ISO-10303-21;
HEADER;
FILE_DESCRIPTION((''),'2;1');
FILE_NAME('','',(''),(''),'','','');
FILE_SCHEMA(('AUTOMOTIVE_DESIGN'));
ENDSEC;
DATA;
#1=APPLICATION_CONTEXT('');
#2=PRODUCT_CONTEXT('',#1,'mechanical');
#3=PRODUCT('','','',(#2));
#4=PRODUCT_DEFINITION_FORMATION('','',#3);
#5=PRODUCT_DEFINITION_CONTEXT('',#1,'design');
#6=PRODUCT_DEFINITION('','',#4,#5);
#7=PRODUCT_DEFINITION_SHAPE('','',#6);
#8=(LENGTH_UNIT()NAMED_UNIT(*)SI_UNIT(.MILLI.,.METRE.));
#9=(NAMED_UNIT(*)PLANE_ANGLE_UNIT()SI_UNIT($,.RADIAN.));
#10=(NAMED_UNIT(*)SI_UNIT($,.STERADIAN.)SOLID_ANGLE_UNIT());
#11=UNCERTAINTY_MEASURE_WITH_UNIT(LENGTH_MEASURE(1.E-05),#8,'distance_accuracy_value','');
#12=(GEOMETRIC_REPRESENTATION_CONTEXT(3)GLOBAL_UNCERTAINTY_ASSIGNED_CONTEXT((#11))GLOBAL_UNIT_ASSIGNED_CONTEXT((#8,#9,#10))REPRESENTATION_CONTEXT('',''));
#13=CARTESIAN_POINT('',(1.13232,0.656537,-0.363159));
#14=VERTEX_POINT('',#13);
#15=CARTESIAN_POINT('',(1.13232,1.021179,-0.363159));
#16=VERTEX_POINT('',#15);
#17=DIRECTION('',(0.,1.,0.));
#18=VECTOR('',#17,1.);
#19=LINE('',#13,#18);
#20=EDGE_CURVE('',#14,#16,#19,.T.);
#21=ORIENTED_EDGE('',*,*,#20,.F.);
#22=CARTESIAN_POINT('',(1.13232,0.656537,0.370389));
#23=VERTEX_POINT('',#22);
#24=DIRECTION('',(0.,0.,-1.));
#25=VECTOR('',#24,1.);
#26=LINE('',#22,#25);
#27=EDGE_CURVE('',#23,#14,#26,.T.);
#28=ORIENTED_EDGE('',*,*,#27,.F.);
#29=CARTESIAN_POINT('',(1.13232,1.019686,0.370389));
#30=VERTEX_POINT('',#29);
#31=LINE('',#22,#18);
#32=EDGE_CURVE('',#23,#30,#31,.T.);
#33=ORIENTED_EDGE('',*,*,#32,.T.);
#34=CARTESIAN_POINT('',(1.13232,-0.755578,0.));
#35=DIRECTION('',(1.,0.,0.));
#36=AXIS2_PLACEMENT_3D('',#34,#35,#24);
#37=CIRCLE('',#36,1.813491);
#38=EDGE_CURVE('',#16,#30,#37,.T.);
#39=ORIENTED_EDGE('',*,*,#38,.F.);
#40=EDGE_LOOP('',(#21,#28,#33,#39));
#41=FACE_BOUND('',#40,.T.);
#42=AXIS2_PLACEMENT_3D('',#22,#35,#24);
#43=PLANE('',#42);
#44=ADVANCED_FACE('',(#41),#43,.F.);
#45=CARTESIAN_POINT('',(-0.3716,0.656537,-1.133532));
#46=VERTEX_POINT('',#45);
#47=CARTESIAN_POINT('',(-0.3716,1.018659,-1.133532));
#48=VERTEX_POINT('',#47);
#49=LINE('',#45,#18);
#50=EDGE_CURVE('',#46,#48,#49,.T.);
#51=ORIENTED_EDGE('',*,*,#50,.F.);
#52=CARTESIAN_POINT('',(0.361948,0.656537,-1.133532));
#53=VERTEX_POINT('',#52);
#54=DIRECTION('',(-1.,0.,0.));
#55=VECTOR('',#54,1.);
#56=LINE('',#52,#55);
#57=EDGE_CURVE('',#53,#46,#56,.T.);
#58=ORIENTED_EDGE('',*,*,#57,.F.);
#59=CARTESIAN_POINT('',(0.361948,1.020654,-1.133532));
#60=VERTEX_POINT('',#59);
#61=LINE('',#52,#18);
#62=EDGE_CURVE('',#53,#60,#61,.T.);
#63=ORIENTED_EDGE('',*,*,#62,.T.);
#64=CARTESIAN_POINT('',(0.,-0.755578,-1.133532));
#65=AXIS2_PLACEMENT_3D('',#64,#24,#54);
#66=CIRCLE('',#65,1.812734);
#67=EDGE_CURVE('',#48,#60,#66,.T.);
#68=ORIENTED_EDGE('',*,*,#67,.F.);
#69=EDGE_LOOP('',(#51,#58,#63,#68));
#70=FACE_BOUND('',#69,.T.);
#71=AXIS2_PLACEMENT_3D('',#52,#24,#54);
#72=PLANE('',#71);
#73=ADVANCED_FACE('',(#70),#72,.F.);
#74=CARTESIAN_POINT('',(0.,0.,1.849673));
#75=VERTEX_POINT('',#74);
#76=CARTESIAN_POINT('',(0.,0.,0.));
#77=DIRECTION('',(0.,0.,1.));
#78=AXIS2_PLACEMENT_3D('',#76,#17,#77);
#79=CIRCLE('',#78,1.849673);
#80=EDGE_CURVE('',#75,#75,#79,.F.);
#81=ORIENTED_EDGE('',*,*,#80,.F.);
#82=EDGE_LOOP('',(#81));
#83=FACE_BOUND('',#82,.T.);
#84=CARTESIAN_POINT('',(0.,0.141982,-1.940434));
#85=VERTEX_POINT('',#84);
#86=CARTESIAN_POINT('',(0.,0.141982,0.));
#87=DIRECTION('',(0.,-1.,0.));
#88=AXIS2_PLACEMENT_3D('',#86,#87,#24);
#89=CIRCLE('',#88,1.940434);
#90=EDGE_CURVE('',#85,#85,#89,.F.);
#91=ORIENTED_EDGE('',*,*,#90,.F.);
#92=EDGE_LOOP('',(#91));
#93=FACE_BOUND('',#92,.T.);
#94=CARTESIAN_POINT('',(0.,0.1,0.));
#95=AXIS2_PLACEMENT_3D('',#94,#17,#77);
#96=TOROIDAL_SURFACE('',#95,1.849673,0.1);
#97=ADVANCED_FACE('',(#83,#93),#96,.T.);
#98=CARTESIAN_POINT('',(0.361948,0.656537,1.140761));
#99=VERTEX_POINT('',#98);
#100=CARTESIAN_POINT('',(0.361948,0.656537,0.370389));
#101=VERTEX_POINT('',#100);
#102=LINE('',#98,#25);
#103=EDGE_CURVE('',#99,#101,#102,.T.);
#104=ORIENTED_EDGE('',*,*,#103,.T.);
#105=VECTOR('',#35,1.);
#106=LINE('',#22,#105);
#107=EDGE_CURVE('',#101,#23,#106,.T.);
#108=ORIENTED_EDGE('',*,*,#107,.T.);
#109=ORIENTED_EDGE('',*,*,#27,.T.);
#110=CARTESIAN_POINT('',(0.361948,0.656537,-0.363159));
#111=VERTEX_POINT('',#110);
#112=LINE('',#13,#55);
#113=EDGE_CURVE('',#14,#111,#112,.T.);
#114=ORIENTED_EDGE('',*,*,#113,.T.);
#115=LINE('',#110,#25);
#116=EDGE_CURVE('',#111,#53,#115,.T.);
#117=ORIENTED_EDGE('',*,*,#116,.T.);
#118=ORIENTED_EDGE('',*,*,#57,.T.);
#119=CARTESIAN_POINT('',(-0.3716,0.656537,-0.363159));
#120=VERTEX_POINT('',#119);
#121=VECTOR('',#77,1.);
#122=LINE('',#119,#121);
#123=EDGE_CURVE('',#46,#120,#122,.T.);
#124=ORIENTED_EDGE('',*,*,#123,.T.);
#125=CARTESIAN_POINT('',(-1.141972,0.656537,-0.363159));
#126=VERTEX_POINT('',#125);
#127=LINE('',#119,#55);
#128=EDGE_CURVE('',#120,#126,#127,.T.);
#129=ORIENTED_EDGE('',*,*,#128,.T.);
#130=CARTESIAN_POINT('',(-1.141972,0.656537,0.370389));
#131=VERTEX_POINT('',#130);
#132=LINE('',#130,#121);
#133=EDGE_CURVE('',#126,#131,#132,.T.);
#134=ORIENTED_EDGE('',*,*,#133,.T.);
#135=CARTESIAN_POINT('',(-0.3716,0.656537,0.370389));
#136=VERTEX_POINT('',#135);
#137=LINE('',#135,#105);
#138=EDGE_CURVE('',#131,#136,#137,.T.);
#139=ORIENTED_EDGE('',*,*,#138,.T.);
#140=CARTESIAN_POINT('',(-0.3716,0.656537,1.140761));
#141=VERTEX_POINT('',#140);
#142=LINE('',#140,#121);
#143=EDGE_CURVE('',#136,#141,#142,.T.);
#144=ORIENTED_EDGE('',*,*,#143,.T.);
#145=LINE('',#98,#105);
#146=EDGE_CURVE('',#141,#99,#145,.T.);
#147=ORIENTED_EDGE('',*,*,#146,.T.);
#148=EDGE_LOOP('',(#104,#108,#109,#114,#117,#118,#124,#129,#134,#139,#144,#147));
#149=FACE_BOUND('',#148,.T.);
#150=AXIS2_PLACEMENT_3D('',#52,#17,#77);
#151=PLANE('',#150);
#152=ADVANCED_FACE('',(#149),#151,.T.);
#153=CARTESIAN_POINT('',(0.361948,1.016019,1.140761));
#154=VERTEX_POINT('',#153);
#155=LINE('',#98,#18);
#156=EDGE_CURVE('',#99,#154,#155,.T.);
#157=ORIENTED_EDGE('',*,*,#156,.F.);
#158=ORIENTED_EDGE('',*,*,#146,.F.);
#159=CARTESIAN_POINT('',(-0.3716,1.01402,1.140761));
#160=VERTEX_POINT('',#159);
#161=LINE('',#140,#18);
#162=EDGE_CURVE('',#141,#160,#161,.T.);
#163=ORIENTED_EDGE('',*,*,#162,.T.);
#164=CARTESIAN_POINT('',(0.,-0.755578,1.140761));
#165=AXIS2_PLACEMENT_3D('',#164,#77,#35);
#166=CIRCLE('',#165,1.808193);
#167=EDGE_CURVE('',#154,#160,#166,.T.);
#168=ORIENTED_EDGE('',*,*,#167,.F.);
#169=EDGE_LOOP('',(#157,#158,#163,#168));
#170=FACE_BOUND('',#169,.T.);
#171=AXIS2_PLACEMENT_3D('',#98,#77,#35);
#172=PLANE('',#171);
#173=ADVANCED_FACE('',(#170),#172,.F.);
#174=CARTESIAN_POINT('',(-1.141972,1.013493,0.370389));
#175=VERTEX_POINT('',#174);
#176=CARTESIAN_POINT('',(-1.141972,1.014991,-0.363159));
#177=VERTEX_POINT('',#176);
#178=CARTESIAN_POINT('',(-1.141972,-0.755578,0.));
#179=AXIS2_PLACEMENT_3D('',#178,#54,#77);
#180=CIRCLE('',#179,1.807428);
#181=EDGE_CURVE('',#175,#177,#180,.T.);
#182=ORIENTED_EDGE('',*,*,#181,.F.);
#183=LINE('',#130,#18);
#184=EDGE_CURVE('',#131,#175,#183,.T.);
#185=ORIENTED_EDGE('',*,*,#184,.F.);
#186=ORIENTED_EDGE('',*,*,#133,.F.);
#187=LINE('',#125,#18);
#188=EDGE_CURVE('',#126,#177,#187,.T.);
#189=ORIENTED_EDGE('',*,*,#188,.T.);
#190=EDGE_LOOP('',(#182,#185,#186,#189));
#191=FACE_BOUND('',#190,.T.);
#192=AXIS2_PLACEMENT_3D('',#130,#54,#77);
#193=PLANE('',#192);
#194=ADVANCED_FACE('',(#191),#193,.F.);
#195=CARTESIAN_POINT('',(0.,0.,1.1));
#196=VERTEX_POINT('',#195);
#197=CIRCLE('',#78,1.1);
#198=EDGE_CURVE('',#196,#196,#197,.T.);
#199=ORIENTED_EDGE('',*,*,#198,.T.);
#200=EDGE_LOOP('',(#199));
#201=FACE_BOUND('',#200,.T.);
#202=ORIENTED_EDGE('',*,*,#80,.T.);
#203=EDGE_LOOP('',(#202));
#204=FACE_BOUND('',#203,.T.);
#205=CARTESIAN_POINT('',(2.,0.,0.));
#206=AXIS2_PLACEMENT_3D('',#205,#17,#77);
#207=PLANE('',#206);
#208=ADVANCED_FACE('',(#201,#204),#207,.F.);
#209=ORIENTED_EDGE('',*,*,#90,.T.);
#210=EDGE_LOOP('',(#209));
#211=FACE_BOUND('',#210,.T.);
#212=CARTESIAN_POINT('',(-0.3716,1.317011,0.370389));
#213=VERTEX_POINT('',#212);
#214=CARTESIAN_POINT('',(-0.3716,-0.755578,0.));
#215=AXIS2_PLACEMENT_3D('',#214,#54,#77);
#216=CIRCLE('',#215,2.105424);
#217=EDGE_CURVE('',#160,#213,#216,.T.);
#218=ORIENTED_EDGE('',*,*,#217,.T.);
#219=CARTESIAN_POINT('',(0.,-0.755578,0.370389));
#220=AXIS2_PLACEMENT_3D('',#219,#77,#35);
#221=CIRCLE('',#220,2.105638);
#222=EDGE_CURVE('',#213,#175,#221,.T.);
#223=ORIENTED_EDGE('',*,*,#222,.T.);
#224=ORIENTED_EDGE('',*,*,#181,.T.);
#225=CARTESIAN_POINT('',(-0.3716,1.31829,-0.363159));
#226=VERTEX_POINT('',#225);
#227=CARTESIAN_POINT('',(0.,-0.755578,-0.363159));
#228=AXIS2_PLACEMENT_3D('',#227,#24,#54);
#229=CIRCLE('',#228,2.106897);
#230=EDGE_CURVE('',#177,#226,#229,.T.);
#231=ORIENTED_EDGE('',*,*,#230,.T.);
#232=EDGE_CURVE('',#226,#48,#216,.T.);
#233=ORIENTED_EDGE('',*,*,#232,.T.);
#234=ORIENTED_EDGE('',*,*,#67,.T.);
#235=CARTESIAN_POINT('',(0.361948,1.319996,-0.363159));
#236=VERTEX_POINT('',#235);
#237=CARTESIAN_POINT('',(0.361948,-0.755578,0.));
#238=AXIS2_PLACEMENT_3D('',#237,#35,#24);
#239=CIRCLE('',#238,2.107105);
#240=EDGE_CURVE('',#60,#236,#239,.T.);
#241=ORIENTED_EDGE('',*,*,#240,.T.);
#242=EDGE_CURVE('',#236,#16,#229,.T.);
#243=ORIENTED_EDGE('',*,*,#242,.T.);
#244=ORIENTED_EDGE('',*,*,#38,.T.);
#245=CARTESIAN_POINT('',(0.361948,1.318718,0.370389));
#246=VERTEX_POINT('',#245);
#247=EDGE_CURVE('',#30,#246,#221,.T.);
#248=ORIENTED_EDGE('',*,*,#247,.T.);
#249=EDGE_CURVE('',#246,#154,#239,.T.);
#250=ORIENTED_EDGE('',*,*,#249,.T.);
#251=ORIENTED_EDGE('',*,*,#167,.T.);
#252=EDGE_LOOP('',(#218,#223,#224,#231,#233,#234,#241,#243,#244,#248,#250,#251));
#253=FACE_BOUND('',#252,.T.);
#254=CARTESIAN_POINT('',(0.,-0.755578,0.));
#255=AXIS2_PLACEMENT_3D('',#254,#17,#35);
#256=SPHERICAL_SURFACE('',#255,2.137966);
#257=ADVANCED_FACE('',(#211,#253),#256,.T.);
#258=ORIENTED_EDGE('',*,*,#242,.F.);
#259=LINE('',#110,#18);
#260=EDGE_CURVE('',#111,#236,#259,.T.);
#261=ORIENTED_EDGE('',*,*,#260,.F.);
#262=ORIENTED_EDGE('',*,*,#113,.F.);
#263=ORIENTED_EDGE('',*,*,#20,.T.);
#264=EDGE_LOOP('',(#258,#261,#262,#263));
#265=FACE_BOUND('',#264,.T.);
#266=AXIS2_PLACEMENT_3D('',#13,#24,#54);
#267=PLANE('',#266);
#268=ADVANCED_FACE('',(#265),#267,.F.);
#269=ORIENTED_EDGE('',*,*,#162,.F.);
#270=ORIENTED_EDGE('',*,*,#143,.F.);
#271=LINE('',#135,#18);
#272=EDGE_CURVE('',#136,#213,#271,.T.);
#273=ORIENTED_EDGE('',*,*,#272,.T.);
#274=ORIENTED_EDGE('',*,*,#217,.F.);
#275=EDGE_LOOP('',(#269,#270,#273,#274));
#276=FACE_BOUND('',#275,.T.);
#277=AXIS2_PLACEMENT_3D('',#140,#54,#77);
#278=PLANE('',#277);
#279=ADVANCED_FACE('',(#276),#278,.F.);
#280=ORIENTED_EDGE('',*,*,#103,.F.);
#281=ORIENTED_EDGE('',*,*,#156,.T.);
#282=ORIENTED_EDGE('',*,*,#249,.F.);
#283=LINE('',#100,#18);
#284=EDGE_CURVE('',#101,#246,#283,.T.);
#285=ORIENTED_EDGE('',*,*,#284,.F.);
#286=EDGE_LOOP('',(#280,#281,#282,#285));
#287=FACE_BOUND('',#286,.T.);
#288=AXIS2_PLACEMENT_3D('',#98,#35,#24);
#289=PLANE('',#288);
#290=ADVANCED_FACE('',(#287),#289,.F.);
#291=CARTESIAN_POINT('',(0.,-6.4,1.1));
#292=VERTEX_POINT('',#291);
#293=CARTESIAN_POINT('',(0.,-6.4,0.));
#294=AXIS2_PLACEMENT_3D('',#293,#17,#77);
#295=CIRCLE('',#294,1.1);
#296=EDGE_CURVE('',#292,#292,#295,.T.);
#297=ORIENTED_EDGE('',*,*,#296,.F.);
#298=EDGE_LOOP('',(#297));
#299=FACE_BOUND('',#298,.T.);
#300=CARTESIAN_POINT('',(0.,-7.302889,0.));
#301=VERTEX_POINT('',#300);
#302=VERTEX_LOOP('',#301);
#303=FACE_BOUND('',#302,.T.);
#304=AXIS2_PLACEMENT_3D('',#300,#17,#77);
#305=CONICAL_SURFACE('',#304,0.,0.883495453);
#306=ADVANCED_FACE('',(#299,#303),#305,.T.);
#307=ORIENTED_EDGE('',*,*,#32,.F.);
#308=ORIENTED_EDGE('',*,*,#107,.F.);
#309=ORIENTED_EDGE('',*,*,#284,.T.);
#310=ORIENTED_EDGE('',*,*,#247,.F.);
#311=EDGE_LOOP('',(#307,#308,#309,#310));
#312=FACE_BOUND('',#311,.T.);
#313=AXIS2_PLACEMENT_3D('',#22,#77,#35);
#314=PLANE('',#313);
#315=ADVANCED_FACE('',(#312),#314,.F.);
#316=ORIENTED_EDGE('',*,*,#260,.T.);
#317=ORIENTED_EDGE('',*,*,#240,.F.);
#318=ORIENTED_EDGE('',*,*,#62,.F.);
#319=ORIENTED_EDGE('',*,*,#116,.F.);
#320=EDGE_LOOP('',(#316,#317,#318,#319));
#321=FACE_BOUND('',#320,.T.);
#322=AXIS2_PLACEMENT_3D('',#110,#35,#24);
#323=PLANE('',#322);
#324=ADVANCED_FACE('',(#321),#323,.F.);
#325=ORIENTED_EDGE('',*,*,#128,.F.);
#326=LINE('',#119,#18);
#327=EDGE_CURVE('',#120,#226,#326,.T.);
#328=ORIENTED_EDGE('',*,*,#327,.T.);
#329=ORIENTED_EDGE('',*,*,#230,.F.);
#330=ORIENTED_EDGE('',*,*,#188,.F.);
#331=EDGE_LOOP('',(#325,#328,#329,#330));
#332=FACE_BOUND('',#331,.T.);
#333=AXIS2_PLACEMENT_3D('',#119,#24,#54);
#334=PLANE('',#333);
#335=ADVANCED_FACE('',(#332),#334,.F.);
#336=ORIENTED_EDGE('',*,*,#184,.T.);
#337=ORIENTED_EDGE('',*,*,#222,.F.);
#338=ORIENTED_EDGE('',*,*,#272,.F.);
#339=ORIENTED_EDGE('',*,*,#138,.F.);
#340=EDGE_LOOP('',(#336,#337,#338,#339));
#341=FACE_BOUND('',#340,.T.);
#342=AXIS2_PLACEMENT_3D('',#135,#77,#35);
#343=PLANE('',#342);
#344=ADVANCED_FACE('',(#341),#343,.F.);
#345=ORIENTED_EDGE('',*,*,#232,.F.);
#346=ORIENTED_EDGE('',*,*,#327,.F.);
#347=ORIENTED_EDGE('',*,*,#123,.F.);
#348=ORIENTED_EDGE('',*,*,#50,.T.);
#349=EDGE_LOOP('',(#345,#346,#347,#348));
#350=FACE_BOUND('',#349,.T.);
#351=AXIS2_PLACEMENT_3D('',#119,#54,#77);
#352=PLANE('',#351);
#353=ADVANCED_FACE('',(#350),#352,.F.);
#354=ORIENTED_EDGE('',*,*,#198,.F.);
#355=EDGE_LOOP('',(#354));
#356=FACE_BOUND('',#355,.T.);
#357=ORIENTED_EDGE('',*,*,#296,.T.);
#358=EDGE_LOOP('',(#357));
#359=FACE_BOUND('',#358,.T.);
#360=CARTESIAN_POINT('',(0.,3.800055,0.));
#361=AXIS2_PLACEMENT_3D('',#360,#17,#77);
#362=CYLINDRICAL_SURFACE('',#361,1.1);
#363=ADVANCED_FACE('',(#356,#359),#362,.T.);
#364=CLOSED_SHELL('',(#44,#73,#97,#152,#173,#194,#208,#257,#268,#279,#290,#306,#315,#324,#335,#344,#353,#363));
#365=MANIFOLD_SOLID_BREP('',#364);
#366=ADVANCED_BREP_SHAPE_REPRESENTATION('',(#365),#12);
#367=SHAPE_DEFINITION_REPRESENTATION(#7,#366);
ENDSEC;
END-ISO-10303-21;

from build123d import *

# Parameters (mm, degrees)
CONG_1_R                = 0.1
ENL_V_MAT_EXTRU_1_DEPTH = 0.5


with BuildPart() as part:
    # Esquisse1 → Révolution1 (revolve)
    with BuildSketch(Plane.XY, mode=Mode.PRIVATE) as r_volution1_sk:
        with BuildLine():
            Line((2, 0), (1.1, 0))
            Line((1.1, 0), (1.1, -6.4))
            Line((1.1, -6.4), (0, -7.302889311))
            Line((0, -7.302889311), (0, 1.382388101))
            ThreePointArc((0, 1.382388101), (1.215627087, 1.003157221), (2, 0))
        make_face()
    revolve(r_volution1_sk.sketch.rotate(Axis((0, 3.800054794, 0), (0, -1, 0)), 90), axis=Axis((0, 3.800054794, 0), (0, -1, 0)))

    # Congé1
    cong_1_edges = [part.edges().sort_by_distance(p)[0] for p in [
        (0, 0, -2),
    ]]
    fillet(cong_1_edges, radius=CONG_1_R)

    # Esquisse2 → Enlèv. mat.-Extru.1 (cut, symmetric)
    with BuildSketch(Plane(origin=(0, 1.15653742, 0), x_dir=(-1, 0, 0), z_dir=(0, 1, 0))):
        Polygon((-0.361948003, 1.140760916), (0.37159995, 1.140760916), (0.37159995, 0.37038863), (1.141972235, 0.37038863), (1.141972235, -0.363159322), (0.37159995, -0.363159322), (0.37159995, -1.133531608), (-0.361948003, -1.133531608), (-0.361948003, -0.363159322), (-1.132320288, -0.363159322), (-1.132320288, 0.37038863), (-0.361948003, 0.37038863), align=None)
    extrude(amount=ENL_V_MAT_EXTRU_1_DEPTH, both=True, mode=Mode.SUBTRACT)


solid = part.part
